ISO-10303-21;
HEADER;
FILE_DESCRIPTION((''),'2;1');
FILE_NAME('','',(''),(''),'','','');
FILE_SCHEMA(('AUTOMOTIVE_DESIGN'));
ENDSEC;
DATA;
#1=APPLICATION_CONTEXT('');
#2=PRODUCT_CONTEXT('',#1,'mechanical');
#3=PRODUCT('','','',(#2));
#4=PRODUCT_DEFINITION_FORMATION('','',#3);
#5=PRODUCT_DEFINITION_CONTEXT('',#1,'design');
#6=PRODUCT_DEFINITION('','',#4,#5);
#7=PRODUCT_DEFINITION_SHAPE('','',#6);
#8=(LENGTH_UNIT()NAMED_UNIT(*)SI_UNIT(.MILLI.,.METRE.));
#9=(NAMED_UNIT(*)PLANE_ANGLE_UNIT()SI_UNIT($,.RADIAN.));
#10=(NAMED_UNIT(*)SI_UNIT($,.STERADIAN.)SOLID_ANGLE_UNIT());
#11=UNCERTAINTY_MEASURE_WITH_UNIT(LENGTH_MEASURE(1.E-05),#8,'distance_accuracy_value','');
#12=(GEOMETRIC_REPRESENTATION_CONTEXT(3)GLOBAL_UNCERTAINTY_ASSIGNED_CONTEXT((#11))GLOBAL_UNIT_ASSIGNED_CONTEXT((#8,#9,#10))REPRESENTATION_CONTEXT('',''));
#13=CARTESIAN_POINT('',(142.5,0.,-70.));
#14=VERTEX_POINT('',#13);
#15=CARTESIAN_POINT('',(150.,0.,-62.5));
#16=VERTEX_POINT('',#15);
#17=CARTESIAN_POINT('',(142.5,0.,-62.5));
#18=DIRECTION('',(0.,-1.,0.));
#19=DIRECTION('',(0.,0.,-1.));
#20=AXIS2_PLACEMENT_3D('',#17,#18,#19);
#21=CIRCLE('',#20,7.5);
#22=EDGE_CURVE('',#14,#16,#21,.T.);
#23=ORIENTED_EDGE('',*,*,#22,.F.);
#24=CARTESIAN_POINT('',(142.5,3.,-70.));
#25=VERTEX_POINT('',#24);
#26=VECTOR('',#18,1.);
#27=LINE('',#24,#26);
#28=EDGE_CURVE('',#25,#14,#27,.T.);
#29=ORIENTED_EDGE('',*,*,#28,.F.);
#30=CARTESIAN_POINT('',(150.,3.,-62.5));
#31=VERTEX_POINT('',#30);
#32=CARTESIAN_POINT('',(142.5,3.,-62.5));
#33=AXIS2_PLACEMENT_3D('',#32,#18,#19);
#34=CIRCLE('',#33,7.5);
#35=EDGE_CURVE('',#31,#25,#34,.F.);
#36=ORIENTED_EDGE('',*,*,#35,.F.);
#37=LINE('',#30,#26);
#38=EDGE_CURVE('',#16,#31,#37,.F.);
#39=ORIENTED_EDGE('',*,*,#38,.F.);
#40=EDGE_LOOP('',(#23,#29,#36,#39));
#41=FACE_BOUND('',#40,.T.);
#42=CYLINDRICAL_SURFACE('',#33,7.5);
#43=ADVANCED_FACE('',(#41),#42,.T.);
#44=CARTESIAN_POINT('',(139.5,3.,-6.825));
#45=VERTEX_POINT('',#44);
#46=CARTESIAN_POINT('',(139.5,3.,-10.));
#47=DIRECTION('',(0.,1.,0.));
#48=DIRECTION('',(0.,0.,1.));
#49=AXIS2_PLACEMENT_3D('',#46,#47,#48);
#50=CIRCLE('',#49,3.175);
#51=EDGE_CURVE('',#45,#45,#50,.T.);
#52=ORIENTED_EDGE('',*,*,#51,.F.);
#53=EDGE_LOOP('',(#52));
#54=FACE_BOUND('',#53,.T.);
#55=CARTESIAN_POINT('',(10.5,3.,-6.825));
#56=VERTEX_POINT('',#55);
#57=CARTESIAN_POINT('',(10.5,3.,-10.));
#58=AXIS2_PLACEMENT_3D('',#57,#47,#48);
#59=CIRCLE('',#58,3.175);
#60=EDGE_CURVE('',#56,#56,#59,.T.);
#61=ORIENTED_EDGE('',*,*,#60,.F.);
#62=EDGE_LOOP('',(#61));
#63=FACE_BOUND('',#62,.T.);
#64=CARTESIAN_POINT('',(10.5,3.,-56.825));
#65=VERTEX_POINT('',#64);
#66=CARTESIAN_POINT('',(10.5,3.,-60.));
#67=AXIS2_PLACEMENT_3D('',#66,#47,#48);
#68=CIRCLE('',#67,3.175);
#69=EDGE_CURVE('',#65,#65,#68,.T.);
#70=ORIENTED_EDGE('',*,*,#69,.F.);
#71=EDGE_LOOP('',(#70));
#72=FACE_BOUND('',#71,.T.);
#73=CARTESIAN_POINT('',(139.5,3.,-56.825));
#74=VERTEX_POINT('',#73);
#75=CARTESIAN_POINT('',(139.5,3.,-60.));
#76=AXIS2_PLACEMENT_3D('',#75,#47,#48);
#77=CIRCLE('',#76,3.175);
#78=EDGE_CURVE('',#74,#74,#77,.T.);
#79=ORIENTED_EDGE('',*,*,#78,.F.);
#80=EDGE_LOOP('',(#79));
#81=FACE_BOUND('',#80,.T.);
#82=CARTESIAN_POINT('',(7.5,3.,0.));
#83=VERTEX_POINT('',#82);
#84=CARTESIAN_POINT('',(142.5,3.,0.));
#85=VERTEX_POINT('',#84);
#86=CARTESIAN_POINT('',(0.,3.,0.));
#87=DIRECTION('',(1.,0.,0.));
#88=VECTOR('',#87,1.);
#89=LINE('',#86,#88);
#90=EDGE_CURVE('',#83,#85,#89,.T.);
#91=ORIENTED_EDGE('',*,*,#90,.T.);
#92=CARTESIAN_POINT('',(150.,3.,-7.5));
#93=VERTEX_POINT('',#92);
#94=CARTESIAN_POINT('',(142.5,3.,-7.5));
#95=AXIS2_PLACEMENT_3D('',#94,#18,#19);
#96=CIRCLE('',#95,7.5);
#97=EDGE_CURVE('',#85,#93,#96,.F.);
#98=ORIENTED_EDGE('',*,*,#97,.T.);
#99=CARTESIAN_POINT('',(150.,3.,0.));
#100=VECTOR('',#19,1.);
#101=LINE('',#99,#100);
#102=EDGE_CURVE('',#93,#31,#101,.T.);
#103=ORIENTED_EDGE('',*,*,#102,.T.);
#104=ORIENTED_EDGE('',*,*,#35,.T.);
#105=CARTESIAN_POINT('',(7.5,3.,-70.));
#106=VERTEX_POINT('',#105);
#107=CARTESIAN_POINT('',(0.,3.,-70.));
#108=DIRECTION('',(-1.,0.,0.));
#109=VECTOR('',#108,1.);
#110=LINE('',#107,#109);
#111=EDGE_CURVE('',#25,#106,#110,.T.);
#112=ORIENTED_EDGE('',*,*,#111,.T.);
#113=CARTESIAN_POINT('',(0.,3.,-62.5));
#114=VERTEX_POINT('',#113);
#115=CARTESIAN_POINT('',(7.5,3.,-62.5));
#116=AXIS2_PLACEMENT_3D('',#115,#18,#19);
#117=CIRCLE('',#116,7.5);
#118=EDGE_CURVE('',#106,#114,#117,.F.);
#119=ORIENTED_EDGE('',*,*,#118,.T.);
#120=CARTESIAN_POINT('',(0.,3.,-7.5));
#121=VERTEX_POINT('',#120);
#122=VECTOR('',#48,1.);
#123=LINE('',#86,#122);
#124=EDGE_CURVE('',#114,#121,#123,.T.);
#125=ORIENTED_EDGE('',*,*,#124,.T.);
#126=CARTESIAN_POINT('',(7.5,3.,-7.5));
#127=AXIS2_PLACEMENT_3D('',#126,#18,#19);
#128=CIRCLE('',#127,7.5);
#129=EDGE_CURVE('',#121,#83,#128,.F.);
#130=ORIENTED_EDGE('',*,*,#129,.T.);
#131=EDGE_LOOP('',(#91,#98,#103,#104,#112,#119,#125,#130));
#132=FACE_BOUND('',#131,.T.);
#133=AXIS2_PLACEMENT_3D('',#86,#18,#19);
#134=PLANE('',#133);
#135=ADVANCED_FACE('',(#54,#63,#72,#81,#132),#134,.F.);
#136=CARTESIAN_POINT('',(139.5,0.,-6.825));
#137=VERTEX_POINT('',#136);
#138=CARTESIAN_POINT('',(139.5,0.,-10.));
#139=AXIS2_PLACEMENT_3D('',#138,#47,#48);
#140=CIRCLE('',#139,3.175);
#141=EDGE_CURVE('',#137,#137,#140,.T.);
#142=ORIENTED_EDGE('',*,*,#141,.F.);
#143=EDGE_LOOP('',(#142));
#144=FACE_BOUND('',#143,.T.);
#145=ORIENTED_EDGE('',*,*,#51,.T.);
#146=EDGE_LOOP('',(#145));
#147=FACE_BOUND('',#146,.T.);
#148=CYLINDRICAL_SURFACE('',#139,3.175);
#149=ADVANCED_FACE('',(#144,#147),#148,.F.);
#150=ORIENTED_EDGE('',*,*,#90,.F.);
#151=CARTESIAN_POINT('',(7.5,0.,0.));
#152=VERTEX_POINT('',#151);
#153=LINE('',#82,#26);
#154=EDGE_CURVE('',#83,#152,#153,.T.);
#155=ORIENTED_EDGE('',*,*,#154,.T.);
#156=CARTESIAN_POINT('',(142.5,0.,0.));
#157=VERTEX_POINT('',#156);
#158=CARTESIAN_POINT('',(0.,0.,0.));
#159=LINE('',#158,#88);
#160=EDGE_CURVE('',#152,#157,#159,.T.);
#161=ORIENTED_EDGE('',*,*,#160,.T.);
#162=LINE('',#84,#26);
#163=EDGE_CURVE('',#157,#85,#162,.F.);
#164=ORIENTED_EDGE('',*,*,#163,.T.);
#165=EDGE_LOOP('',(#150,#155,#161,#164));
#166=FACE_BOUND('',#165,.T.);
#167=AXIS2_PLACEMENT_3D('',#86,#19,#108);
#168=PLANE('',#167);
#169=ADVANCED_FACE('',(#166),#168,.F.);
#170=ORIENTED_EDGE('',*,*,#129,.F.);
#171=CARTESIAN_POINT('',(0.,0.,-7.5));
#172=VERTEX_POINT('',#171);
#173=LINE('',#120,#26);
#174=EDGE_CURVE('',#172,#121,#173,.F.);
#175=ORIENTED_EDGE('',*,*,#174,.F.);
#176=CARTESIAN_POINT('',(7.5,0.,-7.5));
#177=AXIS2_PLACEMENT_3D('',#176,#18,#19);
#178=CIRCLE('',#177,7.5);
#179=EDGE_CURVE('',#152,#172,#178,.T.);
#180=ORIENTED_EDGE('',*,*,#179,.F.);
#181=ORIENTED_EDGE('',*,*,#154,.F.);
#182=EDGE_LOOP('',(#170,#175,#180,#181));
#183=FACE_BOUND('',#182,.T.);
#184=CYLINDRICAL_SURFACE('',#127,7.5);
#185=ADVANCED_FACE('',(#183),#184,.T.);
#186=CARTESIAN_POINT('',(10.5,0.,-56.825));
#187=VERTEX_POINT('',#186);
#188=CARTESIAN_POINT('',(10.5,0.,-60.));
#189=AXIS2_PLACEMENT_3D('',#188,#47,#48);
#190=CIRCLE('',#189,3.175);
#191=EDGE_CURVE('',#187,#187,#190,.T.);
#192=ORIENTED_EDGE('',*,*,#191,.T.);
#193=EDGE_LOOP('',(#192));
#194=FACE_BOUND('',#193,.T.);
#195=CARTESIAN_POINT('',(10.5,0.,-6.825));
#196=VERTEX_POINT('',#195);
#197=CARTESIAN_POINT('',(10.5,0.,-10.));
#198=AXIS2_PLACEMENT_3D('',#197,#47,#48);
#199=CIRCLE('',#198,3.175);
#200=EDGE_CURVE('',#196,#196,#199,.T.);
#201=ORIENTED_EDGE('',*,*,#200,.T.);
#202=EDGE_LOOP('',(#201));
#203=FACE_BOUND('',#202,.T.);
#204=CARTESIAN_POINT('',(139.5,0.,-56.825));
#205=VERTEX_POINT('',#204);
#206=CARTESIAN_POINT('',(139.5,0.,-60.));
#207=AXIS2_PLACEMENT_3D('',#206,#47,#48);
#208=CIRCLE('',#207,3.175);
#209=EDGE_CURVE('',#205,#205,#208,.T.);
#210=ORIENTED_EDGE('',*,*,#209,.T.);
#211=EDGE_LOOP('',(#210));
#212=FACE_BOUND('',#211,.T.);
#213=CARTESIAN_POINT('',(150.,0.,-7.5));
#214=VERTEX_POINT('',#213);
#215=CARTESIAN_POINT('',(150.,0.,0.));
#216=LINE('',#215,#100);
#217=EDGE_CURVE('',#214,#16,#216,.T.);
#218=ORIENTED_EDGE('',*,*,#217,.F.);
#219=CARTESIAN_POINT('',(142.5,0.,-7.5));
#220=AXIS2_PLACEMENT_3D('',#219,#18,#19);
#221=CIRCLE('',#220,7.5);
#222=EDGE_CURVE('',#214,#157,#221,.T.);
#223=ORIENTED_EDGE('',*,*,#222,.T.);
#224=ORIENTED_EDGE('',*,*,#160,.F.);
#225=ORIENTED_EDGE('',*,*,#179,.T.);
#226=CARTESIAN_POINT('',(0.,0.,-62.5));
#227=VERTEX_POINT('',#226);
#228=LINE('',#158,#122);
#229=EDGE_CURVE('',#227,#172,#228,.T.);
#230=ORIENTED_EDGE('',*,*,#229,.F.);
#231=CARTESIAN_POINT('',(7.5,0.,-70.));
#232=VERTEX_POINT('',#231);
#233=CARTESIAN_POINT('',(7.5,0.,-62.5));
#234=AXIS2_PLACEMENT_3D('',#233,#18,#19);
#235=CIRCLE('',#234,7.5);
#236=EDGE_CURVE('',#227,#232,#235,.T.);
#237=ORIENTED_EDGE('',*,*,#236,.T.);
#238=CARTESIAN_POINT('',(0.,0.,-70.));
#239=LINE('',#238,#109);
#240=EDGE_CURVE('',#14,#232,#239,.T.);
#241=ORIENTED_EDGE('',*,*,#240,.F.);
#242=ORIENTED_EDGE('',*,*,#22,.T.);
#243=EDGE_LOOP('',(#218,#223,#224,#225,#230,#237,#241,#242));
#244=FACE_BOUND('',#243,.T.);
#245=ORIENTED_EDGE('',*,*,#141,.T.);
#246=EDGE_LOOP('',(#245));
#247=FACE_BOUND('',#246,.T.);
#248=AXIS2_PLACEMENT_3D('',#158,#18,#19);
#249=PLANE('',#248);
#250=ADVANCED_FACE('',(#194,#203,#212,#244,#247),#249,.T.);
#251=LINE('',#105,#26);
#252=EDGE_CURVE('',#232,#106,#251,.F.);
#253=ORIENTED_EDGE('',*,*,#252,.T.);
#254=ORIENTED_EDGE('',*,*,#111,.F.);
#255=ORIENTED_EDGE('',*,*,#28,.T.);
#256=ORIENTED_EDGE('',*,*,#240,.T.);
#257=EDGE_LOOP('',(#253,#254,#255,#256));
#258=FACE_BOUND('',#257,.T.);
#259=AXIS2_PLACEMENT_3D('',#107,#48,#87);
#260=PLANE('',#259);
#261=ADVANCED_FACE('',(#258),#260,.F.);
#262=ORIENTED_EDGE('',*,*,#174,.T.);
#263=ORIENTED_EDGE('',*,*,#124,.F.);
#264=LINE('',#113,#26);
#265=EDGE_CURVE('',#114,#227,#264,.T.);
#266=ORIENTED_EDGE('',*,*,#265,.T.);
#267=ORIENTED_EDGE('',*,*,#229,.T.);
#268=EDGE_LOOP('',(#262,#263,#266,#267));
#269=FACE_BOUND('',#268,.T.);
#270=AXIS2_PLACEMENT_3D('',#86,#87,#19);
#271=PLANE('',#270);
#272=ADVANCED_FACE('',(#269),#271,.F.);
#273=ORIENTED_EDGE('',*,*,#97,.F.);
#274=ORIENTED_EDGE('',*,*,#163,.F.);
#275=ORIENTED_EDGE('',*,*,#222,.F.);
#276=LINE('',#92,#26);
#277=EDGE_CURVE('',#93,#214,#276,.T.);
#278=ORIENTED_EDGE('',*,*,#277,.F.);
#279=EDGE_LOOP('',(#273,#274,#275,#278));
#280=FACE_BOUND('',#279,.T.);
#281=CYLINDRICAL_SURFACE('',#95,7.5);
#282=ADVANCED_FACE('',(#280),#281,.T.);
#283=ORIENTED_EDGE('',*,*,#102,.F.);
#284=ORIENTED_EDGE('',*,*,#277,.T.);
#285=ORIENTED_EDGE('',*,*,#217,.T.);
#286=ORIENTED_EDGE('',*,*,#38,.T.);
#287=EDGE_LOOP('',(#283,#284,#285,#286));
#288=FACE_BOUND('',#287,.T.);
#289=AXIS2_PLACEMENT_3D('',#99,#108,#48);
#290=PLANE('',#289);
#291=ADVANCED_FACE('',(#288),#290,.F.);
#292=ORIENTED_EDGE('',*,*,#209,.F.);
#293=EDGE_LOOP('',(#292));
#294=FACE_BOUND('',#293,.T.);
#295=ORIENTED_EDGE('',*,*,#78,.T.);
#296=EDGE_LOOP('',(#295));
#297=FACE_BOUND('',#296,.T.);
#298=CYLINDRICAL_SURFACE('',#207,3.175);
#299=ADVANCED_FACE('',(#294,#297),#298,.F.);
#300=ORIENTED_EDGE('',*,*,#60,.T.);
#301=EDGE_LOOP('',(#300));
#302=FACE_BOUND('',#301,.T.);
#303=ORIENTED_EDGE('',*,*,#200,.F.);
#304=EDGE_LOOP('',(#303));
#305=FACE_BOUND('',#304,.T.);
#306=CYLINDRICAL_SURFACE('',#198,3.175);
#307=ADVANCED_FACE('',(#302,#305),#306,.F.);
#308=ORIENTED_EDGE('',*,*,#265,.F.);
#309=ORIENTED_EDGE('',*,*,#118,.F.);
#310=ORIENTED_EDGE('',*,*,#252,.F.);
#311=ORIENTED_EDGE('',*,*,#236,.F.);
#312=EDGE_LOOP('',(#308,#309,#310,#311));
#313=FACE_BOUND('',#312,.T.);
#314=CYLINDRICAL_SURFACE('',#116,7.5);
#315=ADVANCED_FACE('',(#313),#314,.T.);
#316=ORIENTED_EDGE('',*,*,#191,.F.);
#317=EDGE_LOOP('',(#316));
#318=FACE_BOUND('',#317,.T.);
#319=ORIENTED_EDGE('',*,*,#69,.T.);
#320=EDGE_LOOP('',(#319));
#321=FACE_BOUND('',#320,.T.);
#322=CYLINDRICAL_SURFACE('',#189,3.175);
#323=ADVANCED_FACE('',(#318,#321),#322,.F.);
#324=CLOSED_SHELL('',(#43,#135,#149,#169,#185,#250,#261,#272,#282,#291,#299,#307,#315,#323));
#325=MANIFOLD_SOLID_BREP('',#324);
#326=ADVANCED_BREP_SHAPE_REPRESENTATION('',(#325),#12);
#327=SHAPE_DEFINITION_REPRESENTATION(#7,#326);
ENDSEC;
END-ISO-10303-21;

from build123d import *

# Parameters (mm, degrees)
ESBO_O2_W                = 150
ESBO_O2_H                = 70
RESSALTO_EXTRUS_O1_DEPTH = 3
ESBO_O4_R                = 3.175
CORTE_EXTRUS_O1_DEPTH    = 3
FILETE1_R                = 7.5


with BuildPart() as part:
    # Esboço2 → Ressalto-extrusão1 (new body)
    with BuildSketch(Plane(origin=(0, 0, 0), x_dir=(1, 0, 0), z_dir=(0, 1, 0))):
        with Locations((75, 35)):
            Rectangle(ESBO_O2_W, ESBO_O2_H)
    extrude(amount=RESSALTO_EXTRUS_O1_DEPTH)

    # Esboço4 → Corte-extrusão1 (cut)
    with BuildSketch(Plane(origin=(0, 3, 0), x_dir=(1, 0, 0), z_dir=(0, 1, 0))):
        with Locations(Location((10.5, 60, 0), (0, 0, 270))):
            Circle(ESBO_O4_R)
        with Locations(Location((139.5, 60, 0), (0, 0, 270))):
            Circle(ESBO_O4_R)
        with Locations(Location((139.5, 10, 0), (0, 0, 270))):
            Circle(ESBO_O4_R)
        with Locations(Location((10.5, 10, 0), (0, 0, 270))):
            Circle(ESBO_O4_R)
    extrude(amount=-CORTE_EXTRUS_O1_DEPTH, mode=Mode.SUBTRACT)

    # Filete1
    filete1_edges = [part.edges().sort_by_distance(p)[0] for p in [
        (0, 1.5, -70),
        (150, 1.5, -70),
        (150, 1.5, 0),
        (0, 1.5, 0),
    ]]
    fillet(filete1_edges, radius=FILETE1_R)


solid = part.part
